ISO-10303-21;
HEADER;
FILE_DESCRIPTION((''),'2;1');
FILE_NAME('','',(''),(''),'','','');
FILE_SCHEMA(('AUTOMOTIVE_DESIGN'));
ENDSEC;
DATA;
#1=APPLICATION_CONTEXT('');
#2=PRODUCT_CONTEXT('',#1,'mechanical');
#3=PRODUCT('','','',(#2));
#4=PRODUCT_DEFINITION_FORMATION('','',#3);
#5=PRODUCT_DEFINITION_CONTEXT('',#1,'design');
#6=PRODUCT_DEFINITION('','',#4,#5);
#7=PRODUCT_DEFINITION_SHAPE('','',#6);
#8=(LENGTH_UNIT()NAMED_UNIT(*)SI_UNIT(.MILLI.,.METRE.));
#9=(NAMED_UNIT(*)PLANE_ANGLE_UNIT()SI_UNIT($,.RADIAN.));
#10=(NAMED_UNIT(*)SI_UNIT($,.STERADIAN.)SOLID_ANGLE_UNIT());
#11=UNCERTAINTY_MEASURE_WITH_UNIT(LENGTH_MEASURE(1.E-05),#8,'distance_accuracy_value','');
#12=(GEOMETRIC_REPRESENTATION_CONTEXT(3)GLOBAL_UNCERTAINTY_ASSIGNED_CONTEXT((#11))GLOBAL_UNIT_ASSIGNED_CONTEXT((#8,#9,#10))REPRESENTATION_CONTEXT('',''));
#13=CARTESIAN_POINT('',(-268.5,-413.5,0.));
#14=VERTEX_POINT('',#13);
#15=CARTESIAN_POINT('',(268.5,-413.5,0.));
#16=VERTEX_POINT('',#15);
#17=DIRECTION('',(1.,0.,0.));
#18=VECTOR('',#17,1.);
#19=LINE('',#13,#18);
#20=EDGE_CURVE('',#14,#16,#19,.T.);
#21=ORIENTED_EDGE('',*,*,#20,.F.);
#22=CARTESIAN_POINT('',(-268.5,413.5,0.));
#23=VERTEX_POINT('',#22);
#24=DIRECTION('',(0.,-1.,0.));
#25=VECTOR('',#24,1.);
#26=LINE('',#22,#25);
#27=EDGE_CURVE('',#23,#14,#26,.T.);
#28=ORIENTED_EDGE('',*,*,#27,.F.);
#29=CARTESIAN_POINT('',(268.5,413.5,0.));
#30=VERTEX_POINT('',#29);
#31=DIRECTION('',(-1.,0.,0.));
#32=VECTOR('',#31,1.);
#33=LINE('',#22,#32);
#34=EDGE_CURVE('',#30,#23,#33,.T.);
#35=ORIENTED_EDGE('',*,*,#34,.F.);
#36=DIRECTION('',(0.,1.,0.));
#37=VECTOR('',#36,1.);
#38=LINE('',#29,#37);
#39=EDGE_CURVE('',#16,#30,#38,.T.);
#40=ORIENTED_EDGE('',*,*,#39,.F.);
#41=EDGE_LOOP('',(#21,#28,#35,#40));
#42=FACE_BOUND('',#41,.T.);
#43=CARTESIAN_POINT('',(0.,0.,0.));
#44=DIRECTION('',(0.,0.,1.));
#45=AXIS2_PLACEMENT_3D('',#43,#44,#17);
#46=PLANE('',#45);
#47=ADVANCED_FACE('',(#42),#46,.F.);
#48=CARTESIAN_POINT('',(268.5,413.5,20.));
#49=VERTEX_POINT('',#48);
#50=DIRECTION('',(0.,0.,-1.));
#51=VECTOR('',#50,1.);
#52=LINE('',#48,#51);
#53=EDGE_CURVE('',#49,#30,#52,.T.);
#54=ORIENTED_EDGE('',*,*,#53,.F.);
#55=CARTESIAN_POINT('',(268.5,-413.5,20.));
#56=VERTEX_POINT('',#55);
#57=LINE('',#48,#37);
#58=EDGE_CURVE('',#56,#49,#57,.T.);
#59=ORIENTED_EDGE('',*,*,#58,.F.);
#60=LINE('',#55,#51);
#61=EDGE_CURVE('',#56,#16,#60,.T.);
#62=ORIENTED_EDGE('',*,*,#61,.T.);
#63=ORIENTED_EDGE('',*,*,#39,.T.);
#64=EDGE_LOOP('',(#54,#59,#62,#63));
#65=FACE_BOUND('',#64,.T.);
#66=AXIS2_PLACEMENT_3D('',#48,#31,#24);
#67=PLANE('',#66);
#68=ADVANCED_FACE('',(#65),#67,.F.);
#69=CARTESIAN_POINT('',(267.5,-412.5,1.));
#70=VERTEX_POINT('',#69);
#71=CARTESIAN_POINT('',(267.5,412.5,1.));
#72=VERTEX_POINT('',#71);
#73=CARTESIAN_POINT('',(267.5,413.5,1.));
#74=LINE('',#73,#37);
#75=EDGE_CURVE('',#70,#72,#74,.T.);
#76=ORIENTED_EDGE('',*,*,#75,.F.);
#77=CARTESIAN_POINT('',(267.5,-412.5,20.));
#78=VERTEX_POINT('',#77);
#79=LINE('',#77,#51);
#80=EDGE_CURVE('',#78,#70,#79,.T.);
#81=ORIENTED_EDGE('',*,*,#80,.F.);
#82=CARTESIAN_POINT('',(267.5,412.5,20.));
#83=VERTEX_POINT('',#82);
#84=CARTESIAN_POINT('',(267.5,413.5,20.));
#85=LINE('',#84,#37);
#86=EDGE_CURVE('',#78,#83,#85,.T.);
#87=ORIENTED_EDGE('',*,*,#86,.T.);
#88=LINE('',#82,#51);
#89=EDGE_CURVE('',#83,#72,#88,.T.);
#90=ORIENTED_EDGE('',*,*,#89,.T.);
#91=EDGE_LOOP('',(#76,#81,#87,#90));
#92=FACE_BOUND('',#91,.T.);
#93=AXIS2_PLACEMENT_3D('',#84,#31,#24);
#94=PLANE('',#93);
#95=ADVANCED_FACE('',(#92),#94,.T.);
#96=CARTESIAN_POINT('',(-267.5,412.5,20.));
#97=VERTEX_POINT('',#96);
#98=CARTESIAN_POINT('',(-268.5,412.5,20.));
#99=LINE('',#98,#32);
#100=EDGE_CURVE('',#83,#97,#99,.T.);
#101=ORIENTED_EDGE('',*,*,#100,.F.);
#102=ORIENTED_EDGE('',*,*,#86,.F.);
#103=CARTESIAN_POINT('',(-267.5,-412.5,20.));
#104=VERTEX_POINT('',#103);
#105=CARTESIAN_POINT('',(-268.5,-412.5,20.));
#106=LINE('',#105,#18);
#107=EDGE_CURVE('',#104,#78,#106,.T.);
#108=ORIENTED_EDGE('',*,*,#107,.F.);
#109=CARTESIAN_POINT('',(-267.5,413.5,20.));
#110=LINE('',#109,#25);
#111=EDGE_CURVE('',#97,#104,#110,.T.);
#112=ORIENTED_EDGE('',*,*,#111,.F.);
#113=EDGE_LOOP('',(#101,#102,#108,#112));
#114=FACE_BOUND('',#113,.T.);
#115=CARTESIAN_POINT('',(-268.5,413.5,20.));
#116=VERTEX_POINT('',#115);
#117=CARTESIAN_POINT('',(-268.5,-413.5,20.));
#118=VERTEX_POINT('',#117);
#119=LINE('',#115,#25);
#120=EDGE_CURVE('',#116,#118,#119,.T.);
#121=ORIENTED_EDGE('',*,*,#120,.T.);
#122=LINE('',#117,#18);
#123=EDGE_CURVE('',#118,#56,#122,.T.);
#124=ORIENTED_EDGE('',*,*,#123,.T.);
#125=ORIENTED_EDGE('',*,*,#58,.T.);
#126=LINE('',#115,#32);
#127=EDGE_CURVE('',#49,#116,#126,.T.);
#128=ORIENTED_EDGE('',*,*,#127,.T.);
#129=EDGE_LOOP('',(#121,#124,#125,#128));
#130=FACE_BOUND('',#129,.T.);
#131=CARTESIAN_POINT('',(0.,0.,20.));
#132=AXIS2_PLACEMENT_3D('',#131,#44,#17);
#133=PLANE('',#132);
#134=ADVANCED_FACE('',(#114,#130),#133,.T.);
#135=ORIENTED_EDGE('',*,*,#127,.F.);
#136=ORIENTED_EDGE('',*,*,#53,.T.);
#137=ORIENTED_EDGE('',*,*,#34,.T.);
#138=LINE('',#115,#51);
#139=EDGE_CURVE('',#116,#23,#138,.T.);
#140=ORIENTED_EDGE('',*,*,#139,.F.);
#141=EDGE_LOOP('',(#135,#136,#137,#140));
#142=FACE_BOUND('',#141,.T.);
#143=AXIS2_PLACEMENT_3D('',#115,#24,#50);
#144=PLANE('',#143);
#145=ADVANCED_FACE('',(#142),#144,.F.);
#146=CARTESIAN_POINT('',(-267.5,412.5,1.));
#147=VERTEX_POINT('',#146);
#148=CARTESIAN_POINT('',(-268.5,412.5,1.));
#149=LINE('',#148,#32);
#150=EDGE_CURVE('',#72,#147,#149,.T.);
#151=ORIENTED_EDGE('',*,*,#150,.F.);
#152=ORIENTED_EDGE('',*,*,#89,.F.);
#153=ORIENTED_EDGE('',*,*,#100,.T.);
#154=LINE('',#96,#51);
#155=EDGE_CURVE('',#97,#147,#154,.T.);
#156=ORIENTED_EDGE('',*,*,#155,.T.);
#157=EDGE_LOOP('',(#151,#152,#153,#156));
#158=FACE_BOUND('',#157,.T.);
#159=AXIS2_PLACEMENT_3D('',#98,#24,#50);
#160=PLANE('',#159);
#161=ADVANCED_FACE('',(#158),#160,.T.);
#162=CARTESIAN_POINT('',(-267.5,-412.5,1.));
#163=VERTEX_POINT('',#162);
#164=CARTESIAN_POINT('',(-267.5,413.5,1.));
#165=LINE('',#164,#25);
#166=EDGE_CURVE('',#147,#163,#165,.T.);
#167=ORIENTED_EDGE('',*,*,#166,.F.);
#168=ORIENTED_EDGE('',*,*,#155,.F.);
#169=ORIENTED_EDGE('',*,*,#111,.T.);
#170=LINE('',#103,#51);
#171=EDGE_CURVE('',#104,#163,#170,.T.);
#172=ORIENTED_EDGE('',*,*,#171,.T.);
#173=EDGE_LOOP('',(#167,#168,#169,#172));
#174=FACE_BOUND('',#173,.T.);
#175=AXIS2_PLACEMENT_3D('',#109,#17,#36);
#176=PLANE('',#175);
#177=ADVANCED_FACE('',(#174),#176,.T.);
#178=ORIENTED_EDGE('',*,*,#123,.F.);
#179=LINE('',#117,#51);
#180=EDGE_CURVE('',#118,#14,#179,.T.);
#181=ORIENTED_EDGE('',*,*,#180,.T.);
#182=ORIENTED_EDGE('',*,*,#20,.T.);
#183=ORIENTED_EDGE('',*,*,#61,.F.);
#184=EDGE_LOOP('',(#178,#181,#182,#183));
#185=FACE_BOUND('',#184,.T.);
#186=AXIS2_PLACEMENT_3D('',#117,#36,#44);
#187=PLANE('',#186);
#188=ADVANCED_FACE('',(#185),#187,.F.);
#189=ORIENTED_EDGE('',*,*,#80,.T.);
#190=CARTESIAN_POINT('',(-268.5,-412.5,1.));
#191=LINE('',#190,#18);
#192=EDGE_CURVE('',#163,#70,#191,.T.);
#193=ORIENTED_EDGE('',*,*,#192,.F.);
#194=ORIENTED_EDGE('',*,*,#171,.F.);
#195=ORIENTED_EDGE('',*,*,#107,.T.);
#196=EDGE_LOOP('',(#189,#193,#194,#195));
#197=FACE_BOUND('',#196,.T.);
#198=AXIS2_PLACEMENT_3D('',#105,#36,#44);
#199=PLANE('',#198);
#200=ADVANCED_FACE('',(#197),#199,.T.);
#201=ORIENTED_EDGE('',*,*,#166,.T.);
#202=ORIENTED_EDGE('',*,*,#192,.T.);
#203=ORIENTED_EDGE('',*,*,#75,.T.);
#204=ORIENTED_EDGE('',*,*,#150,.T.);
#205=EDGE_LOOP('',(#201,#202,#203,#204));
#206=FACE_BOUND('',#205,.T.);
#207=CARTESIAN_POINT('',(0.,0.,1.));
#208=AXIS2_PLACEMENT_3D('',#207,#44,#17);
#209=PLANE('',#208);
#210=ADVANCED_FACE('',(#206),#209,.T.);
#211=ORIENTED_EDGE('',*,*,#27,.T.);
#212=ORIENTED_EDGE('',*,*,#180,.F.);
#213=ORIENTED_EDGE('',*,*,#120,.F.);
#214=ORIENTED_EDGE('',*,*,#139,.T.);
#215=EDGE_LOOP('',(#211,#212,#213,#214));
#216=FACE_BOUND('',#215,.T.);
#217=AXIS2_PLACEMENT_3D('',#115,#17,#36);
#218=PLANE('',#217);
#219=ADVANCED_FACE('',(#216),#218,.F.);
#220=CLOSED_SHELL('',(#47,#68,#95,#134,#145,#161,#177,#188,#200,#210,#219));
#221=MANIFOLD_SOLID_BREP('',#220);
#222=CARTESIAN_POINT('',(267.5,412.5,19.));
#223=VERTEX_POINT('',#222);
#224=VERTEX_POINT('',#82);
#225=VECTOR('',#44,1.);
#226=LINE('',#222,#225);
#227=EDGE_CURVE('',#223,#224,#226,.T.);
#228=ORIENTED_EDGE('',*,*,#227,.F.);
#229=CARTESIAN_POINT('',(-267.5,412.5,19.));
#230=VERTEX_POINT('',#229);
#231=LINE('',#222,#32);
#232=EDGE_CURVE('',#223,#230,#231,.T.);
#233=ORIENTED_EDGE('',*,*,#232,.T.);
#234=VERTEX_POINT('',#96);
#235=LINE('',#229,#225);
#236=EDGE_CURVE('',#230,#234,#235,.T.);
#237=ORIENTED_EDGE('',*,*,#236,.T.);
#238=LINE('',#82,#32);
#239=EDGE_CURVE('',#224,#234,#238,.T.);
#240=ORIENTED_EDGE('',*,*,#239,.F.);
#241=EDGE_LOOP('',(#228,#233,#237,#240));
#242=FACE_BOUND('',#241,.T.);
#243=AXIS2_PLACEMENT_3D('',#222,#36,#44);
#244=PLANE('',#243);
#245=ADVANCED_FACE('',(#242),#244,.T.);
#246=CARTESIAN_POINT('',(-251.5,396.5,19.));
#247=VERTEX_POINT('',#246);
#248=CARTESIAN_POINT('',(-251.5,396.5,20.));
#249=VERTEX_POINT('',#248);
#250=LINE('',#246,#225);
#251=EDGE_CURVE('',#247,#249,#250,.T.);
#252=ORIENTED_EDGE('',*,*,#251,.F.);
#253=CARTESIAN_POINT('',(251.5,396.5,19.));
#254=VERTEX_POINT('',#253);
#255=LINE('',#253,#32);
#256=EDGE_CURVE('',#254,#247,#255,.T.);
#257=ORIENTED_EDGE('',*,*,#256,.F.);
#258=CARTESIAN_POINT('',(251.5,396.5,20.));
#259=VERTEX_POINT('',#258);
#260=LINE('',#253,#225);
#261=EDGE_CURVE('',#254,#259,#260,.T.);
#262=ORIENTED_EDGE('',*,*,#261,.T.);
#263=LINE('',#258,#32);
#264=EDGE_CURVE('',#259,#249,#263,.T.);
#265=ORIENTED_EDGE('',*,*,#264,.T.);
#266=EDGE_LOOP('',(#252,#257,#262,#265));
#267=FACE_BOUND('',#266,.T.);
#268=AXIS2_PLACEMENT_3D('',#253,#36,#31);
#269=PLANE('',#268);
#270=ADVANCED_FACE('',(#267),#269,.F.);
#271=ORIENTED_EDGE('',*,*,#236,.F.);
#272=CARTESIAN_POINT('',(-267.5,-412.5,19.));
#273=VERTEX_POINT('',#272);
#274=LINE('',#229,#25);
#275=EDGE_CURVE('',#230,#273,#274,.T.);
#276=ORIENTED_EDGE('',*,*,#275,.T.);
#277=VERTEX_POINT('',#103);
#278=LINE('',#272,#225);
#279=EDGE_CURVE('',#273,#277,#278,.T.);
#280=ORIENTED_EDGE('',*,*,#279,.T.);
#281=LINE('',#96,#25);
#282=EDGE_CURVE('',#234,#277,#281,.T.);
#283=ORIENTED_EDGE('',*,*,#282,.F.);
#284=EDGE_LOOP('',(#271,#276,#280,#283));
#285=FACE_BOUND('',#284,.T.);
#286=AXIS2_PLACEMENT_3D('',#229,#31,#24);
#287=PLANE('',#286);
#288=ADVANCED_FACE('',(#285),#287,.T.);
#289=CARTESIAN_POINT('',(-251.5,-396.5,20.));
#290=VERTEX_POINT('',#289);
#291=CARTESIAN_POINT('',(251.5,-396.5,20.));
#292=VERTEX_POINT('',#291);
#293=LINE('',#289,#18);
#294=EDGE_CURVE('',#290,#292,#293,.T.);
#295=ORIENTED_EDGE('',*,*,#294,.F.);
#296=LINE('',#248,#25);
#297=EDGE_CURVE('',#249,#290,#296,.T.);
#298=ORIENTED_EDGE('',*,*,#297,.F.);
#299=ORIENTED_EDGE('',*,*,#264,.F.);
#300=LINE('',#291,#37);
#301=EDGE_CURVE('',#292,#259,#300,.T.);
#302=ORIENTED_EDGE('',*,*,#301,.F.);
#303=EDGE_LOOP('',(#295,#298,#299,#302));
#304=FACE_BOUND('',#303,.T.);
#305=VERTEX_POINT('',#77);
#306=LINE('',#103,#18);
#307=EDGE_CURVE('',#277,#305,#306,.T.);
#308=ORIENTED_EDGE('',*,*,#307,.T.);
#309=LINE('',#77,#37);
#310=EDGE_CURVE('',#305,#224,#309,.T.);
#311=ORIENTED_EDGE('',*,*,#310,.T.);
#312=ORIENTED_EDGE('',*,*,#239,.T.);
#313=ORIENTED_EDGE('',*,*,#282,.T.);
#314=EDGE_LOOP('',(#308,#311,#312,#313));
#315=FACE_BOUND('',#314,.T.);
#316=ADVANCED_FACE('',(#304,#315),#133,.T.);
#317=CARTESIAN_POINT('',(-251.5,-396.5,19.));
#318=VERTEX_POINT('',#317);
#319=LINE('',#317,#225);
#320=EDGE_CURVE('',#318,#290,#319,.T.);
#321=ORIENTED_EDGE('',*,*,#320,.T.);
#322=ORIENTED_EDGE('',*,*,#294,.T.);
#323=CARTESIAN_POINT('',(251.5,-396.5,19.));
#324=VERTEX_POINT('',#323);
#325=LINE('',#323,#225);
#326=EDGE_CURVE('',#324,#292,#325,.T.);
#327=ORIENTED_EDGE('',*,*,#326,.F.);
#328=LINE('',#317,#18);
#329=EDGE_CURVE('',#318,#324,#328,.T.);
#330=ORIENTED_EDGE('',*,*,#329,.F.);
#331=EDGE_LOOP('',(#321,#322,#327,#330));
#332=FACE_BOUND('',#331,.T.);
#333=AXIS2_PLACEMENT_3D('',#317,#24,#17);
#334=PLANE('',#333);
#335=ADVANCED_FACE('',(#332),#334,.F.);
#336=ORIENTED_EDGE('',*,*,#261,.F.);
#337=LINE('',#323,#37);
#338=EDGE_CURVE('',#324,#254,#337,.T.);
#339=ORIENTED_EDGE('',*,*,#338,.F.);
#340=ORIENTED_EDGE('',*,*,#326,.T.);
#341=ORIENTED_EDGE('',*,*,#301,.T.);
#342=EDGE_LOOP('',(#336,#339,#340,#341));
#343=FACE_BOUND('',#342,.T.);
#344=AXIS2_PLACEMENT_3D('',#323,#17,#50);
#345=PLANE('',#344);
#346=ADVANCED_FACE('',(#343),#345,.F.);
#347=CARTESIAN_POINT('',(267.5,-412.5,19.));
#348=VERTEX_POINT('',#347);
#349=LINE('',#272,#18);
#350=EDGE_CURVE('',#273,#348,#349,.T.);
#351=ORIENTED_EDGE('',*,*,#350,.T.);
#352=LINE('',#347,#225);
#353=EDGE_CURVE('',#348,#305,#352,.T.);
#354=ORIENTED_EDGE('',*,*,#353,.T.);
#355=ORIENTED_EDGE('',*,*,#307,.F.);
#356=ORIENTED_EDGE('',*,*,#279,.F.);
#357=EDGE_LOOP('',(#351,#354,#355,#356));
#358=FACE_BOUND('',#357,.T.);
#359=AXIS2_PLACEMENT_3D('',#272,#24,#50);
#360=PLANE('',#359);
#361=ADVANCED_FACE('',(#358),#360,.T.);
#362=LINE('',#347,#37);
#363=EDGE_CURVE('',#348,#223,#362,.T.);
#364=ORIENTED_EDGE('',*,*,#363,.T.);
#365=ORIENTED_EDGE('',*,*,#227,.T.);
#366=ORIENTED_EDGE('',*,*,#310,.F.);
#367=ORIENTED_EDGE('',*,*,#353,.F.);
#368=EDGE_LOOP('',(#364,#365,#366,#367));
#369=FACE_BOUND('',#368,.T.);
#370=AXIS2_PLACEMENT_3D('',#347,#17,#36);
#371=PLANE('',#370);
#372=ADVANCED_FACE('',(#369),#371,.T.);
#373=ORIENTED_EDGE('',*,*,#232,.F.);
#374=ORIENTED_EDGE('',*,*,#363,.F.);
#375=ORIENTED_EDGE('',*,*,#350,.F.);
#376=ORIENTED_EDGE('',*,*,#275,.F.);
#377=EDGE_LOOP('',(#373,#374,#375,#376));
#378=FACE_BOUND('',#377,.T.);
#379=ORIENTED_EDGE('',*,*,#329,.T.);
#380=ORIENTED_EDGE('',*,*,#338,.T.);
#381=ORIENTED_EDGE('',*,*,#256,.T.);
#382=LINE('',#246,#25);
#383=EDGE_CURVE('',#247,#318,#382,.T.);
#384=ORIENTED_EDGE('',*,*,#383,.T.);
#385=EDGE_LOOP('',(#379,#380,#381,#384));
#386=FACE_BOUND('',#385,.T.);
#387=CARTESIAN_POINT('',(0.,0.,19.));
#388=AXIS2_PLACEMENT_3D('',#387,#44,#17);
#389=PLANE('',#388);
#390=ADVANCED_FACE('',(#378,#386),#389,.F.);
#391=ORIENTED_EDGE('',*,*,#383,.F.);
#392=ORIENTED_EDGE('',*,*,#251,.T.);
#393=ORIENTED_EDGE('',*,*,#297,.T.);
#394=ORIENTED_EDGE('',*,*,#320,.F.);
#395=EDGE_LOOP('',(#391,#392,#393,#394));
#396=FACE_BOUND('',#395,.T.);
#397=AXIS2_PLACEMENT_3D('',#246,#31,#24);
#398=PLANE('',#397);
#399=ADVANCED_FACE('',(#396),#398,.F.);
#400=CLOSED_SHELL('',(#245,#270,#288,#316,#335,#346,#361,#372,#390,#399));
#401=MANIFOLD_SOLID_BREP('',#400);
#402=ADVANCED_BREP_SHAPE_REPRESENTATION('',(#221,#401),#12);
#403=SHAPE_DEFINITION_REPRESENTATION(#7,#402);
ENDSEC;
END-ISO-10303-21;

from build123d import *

# Parameters (mm, degrees)
SKETCH_1_W      = 537
SKETCH_1_H      = 827
EXTRUDE_1_DEPTH = 20
SHELL_1_T       = -1
SKETCH_3_W      = 535
SKETCH_3_H      = 825
SKETCH_3_W_2    = 503
SKETCH_3_H_2    = 793
EXTRUDE_2_DEPTH = 1


with BuildPart() as part:
    # 草图1 → 凸台-拉伸1 (new body)
    with BuildSketch(Plane.XY):
        Rectangle(SKETCH_1_W, SKETCH_1_H)
    extrude(amount=EXTRUDE_1_DEPTH)

    # 抽壳1
    shell_1_openings = [part.faces().sort_by_distance(p)[0] for p in [
        (0, 0, 20),
    ]]
    offset(amount=SHELL_1_T, openings=shell_1_openings, kind=Kind.INTERSECTION)


with BuildPart() as body_2:
    # 草图3 → 凸台-拉伸2 (new body)
    with BuildSketch(Plane.XY.offset(20)):
        Rectangle(SKETCH_3_W, SKETCH_3_H)
        Rectangle(SKETCH_3_W_2, SKETCH_3_H_2, mode=Mode.SUBTRACT)
    extrude(amount=-EXTRUDE_2_DEPTH)


solid = Compound([part.part, body_2.part])
